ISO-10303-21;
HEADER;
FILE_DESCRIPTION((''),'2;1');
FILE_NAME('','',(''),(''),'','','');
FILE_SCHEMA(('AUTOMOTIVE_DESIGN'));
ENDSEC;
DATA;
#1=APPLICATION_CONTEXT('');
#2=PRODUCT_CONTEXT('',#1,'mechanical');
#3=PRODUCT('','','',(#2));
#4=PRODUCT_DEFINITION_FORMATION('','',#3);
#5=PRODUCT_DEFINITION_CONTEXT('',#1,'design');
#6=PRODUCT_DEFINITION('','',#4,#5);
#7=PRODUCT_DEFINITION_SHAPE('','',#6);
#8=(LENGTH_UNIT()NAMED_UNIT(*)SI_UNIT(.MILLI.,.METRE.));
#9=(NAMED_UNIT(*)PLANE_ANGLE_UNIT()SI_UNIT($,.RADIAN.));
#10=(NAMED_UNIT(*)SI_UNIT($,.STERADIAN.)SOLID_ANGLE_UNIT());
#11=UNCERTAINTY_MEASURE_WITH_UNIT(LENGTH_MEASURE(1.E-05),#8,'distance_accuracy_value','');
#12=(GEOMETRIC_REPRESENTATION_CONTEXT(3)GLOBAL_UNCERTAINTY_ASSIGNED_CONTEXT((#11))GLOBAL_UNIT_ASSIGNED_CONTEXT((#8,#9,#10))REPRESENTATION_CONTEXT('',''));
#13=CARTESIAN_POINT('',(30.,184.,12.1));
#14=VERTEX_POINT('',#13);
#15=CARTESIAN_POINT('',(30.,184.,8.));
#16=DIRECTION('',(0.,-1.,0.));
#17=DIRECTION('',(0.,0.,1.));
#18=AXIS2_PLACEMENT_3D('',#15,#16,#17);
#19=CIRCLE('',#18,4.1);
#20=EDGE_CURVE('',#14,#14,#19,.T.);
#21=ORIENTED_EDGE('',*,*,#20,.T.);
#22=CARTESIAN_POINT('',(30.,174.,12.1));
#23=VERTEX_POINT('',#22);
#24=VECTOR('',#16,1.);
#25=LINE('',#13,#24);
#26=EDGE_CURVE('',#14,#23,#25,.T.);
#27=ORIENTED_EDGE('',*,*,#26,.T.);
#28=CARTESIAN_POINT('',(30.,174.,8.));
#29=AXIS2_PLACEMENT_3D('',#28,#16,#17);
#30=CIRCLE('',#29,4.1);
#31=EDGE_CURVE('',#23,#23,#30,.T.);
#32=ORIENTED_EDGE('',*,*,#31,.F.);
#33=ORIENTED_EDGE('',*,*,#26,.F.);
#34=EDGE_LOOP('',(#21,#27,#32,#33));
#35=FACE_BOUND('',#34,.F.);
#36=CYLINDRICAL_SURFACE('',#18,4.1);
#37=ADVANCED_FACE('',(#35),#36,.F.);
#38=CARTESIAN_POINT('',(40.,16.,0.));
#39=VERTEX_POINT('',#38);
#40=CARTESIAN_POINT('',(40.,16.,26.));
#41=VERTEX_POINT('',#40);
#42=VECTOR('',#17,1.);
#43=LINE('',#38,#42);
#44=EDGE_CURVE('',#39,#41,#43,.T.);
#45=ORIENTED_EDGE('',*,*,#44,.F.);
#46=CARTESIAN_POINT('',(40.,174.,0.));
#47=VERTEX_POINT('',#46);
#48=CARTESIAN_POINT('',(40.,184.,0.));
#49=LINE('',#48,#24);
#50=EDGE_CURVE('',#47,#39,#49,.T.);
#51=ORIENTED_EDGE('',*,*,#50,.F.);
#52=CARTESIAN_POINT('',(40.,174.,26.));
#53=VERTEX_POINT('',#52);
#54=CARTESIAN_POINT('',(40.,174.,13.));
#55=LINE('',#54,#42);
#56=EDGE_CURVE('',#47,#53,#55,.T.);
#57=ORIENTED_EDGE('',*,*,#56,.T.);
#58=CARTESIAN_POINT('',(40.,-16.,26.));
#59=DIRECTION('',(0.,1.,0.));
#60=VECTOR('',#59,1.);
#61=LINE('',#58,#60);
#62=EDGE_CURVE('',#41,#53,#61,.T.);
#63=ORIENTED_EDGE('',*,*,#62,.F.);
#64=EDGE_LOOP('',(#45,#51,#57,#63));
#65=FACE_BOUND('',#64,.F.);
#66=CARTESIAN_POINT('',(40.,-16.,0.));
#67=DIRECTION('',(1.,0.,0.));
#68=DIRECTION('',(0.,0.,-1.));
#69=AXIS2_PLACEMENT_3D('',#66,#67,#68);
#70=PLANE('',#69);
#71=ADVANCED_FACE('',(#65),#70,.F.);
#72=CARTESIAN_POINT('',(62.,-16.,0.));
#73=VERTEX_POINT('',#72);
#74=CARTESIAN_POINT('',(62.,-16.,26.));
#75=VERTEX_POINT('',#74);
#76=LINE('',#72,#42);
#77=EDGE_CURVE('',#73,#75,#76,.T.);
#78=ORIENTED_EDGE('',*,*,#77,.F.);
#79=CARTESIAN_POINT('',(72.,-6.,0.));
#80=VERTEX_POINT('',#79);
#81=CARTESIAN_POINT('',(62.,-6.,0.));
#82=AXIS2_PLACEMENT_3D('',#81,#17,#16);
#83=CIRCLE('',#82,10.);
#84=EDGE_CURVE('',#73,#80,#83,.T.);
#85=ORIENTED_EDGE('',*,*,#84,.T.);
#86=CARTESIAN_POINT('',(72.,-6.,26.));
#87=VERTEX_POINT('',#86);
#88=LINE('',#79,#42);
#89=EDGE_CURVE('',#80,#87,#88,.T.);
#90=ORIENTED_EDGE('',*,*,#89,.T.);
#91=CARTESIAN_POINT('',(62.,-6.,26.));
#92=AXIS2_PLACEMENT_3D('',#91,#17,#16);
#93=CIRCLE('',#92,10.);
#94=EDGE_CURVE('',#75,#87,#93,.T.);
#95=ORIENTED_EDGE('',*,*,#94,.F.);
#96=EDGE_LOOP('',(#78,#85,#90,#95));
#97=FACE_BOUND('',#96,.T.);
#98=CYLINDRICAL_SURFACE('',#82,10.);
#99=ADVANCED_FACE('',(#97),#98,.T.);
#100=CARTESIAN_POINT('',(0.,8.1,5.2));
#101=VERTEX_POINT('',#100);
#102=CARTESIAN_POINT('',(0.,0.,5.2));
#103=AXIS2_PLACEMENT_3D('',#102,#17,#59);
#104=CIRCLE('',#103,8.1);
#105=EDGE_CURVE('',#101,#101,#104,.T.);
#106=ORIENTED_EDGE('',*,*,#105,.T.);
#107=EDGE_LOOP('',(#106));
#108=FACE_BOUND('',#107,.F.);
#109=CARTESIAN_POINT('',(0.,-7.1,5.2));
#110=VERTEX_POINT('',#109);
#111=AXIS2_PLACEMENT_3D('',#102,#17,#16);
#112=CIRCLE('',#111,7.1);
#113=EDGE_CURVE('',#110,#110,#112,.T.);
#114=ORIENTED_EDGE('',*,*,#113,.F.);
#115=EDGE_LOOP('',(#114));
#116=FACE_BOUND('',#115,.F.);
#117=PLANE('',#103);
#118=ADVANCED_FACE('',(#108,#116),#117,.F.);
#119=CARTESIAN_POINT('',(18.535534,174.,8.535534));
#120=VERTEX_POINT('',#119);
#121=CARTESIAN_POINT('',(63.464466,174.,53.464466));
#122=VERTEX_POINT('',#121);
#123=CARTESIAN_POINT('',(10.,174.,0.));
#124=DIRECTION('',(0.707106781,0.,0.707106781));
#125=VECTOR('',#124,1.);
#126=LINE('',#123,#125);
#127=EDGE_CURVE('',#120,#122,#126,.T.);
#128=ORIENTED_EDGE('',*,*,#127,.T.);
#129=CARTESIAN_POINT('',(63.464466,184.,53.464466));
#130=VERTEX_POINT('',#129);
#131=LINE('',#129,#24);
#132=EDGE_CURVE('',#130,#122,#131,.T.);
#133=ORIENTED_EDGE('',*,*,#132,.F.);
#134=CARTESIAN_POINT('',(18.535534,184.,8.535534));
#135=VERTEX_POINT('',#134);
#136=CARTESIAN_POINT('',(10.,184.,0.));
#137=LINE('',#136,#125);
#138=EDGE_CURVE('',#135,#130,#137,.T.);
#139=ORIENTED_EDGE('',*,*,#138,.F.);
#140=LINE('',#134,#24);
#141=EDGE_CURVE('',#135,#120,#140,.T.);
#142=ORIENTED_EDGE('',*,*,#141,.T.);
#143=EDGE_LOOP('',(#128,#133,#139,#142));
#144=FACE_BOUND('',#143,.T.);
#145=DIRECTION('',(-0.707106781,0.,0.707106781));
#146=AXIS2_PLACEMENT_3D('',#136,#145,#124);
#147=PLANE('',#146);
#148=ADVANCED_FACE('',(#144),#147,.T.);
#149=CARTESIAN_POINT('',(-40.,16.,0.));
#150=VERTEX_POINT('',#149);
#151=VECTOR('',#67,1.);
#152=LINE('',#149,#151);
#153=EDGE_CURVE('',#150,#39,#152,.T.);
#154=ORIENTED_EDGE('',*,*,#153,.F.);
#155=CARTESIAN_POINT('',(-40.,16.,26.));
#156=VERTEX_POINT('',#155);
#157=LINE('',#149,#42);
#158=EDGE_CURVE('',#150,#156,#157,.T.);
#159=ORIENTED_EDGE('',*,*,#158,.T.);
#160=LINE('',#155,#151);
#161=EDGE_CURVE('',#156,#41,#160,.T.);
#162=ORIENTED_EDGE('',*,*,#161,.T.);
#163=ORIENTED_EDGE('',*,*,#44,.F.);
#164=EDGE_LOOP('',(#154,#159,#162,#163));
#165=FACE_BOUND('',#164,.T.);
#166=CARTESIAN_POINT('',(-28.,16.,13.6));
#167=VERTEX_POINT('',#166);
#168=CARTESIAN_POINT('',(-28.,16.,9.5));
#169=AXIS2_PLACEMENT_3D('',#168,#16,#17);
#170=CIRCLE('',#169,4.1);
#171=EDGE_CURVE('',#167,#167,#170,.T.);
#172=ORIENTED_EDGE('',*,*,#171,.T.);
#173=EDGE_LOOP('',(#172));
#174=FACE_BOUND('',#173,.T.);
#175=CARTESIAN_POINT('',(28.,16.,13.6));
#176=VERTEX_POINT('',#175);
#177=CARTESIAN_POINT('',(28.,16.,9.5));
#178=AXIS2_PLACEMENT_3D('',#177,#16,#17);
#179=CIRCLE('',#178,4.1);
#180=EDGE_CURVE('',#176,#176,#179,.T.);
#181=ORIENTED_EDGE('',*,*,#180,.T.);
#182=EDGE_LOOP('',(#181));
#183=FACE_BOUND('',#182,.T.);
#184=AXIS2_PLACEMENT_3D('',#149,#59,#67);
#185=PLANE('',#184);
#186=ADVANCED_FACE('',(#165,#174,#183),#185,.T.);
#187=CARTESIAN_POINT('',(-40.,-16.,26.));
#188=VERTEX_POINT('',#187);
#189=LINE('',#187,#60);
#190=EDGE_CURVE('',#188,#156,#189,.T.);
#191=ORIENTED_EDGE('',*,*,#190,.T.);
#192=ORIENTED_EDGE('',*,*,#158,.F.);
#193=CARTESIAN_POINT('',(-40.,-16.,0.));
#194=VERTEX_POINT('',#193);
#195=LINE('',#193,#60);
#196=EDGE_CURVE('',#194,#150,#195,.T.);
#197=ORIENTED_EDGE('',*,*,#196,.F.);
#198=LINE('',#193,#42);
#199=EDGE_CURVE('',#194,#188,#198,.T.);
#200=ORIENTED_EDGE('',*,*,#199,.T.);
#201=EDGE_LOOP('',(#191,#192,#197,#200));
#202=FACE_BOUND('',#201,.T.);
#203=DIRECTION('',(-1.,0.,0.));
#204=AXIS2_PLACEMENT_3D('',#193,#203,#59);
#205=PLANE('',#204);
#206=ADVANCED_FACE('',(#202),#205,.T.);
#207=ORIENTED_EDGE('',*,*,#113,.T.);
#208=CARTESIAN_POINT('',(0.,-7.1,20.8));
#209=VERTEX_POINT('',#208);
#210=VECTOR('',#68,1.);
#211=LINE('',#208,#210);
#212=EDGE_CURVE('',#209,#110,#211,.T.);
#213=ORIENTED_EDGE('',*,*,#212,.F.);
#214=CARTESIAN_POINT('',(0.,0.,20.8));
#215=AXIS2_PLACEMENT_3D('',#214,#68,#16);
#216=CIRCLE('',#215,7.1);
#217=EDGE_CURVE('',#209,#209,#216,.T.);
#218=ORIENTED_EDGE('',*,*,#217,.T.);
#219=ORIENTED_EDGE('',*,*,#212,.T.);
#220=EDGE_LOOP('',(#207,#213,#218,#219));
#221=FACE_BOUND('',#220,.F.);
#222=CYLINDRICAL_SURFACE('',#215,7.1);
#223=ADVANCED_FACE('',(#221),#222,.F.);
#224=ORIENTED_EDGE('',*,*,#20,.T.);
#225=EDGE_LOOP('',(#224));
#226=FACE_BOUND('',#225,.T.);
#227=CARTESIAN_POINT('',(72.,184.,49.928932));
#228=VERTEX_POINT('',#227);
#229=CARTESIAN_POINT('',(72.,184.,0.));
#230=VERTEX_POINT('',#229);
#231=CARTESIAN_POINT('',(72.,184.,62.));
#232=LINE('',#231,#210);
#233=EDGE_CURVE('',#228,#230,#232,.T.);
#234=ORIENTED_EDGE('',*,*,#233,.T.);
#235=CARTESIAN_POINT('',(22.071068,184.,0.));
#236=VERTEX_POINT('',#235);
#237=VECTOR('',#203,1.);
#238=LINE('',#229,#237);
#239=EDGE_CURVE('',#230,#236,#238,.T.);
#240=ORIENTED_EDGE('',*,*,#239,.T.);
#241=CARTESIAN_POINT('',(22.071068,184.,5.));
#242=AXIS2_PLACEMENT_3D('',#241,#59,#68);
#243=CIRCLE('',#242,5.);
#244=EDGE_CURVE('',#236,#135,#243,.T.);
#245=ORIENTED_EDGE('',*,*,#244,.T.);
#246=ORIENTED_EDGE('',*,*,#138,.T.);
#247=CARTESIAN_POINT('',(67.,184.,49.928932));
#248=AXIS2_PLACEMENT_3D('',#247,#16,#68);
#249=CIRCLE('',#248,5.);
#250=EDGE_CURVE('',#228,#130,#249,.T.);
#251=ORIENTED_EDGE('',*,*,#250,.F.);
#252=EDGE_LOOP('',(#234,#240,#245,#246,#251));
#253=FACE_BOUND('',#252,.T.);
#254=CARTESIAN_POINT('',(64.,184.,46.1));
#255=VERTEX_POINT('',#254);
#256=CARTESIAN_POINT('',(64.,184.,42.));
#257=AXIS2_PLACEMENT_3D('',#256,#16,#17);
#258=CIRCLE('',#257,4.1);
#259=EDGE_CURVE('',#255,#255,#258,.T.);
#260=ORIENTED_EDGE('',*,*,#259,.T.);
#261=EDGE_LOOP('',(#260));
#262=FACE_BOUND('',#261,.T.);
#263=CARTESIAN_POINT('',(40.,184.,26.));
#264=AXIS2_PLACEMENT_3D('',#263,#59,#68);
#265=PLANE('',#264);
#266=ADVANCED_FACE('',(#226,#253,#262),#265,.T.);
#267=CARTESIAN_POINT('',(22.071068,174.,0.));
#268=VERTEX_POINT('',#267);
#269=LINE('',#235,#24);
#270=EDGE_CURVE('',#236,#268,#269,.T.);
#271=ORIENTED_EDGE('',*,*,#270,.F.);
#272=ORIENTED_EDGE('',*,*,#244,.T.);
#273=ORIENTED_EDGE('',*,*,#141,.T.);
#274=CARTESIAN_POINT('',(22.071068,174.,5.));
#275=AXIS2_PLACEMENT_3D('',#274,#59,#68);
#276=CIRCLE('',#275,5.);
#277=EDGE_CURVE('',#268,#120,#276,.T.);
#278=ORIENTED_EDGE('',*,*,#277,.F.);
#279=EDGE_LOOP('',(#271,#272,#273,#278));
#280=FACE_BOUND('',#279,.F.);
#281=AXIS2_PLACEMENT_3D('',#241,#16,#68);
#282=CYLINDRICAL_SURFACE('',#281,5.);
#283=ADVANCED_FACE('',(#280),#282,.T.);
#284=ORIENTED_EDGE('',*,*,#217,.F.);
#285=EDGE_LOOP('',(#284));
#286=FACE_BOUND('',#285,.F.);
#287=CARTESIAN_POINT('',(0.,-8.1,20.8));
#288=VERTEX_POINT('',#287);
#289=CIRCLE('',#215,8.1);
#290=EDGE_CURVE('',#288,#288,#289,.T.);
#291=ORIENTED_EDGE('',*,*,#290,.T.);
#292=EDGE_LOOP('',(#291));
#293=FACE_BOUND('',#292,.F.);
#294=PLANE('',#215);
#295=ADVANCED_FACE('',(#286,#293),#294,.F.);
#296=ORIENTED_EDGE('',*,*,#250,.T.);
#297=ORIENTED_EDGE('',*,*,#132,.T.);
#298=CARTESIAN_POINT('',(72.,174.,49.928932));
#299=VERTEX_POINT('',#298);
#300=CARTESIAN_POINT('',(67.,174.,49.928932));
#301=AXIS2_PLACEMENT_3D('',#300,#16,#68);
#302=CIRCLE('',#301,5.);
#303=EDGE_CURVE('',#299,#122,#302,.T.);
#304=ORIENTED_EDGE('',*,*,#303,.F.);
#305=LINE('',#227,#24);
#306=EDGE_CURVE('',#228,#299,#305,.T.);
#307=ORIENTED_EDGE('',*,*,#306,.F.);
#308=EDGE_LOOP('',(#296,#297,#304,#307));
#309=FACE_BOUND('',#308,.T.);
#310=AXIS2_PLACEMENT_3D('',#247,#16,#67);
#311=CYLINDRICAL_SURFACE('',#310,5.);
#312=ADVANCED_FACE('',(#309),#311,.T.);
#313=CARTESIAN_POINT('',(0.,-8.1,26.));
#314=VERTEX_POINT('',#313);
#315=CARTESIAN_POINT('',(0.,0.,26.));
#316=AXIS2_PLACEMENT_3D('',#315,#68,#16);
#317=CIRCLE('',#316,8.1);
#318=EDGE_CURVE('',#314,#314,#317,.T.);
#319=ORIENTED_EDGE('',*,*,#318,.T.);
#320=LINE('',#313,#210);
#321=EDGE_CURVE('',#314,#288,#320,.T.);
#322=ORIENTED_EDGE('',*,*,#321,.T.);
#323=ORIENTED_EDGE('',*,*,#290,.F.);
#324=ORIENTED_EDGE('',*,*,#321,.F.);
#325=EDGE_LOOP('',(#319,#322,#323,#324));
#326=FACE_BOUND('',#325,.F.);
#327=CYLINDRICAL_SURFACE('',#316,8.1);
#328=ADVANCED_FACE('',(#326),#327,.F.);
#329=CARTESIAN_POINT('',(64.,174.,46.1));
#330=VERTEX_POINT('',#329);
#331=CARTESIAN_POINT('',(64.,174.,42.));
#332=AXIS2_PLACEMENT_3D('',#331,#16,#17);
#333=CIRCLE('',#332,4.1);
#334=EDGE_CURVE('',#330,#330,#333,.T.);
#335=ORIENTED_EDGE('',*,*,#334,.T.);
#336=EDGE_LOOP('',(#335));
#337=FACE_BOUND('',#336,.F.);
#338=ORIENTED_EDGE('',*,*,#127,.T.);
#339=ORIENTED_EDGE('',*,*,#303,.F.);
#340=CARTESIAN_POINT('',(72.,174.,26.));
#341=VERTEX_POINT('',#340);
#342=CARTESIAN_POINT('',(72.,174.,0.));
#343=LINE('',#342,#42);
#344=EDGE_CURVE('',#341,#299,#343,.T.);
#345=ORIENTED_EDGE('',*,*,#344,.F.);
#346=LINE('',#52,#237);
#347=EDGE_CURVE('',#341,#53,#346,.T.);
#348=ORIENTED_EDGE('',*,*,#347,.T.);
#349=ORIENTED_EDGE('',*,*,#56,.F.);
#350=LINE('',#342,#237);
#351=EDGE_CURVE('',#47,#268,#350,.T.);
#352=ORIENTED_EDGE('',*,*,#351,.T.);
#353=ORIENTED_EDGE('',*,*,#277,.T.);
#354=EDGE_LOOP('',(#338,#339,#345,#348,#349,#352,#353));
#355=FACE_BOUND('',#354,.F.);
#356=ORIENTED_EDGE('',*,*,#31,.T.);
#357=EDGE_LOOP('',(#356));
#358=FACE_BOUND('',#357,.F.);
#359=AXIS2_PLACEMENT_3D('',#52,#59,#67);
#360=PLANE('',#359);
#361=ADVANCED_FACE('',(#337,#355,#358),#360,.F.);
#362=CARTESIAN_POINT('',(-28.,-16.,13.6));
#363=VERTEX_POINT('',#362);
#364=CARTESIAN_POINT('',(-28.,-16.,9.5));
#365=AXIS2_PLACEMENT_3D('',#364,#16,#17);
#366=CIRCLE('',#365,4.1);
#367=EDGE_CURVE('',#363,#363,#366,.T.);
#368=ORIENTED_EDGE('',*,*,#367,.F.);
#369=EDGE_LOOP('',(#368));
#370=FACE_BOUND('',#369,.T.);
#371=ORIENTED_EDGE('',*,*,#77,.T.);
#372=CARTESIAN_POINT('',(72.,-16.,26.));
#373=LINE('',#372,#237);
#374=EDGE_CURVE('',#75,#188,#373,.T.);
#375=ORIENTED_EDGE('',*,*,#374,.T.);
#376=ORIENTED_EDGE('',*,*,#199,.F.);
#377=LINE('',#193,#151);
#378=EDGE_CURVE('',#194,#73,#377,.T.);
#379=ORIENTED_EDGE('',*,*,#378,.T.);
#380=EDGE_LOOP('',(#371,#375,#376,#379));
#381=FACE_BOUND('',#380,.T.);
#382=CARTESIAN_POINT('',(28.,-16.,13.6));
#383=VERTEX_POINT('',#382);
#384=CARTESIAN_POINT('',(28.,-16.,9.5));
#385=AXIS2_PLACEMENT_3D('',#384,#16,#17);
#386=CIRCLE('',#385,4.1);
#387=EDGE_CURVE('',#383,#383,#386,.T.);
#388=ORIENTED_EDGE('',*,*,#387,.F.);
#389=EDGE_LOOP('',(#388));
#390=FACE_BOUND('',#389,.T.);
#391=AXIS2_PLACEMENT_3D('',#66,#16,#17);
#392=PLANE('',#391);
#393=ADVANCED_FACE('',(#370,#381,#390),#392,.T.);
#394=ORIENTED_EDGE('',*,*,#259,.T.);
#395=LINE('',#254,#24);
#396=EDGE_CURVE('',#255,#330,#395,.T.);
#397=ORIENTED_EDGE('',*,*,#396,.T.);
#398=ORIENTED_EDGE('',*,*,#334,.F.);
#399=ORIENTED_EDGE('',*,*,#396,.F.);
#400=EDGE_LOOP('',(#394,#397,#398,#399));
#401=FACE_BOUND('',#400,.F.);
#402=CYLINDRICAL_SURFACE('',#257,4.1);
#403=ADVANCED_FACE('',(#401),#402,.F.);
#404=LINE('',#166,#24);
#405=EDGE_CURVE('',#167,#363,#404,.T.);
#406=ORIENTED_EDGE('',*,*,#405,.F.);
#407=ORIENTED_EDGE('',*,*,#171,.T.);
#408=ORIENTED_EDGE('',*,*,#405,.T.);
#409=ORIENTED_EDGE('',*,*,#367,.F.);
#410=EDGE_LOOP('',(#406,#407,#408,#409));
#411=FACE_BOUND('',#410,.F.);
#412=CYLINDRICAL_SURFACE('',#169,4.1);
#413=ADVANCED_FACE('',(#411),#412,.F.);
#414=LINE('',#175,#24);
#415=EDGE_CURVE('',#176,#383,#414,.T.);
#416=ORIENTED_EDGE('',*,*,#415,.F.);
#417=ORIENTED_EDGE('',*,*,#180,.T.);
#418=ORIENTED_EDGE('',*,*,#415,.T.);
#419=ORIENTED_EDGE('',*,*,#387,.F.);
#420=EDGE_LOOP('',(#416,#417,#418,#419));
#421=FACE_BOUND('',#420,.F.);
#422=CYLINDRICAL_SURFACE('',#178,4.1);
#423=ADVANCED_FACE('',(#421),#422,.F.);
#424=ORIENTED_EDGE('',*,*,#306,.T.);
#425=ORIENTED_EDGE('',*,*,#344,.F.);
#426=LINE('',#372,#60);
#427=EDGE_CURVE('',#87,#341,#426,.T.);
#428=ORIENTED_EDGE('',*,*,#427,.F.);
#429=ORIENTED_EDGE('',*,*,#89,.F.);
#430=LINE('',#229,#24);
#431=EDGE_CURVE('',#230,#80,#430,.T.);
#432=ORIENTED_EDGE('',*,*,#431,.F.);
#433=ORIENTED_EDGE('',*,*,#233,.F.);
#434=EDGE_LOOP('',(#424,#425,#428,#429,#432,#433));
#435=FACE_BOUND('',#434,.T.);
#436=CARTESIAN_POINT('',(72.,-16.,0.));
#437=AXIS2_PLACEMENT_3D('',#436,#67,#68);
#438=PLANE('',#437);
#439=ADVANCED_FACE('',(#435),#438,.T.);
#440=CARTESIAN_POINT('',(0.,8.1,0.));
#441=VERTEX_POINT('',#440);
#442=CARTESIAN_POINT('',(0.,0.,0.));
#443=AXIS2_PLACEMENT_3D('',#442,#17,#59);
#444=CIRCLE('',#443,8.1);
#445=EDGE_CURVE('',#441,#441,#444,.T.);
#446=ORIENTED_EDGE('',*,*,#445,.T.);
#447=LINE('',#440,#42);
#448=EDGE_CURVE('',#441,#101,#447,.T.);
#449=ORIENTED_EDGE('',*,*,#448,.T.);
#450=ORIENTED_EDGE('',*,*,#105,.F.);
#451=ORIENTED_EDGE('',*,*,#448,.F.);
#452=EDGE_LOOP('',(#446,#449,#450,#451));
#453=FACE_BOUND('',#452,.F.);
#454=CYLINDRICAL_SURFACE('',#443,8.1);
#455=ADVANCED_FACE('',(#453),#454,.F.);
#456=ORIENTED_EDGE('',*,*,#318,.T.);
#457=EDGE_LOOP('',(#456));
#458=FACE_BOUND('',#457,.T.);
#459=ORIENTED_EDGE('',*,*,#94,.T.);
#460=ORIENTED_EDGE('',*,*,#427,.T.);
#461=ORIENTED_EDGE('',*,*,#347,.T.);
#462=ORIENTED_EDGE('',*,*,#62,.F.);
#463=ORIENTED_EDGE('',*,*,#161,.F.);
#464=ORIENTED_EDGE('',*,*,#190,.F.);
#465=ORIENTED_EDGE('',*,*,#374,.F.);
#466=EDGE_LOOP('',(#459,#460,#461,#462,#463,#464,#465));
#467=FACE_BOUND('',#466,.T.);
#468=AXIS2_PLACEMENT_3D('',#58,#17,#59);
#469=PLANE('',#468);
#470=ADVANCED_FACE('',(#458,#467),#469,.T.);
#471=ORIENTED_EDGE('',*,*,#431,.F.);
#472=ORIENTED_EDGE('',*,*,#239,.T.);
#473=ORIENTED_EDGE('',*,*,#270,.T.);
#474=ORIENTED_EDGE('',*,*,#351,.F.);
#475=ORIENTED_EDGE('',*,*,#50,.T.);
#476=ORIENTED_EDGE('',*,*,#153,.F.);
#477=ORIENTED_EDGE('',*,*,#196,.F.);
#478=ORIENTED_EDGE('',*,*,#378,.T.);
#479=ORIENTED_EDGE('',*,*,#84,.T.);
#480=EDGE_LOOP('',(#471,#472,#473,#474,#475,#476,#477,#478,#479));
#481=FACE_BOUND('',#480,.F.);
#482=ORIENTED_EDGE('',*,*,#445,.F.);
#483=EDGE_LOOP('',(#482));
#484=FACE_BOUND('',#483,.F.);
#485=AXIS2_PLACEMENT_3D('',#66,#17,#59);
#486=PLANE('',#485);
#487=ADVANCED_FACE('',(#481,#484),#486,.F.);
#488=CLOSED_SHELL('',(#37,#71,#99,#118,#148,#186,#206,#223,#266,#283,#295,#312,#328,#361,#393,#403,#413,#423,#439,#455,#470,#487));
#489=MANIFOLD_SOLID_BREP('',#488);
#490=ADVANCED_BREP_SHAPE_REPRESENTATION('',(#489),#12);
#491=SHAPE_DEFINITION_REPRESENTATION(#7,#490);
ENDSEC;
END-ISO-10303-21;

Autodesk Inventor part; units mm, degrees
ref_plane "YZ Plane" through (0, 0, 0) normal (1, 0, 0) x (0, 1, 0)
ref_plane "XZ Plane" through (0, 0, 0) normal (0, 1, 0) x (-1, 0, 0)
ref_plane "XY Plane" through (0, 0, 0) normal (0, 0, 1) x (1, 0, 0)
sketch "Sketch2" plane through (0, 0, 0) normal (0, 0, 1) x (1, 0, 0)
  line L0 (-40, 16) -> (40, 16)
  line L1 (40, 16) -> (40, -16)
  line L2 (40, -16) -> (-40, -16)
  line L3 (-40, -16) -> (-40, 16)
  line L4 (-40, 16) -> (40, -16) construction
  line L5 (40, 16) -> (-40, -16) construction
  point P0 (0, 0)
  dimension "d4" = 32
  dimension "d5" = 80
extrude "Extrusion1" add sketch "Sketch2" along normal blind 26
sketch "Sketch6" plane through (-40, 16, 0) normal (0, 1, 0) x (1, 0, 0)
  line L0 (12, -9.5) -> (0, -9.5) construction
  line L1 (0, 0) -> (0, -26) projected
  line L2 (68, -9.5) -> (80, -9.5) construction
  line L3 (80, 0) -> (80, -26) projected
  line L4 (80, 0) -> (0, 0) projected
  point P0 (40, 0)
  point P1 (74, -9.5)
  dimension "d29" = 56
  dimension "d30" = 9.5
hole "Hole3" at (-28, 16, 9.5) at (28, 16, 9.5) direction (0, -1, 0) diameter 8.2 end through all
sketch "Sketch7" plane through (0, 0, 26) normal (0, 0, 1) x (1, 0, 0)
  point P0 (0, 0)
  point P1 (0, 0)
hole "Hole4" at (0, 0, 26) direction (0, 0, -1) diameter 14.2 end through all counterbore diameter 16.2 counterbore depth 5.2
sketch "Sketch8" plane through (0, 0, 0) normal (0, 0, -1) x (-1, 0, 0)
  point P0 (0, 0)
  point P1 (0, 0)
hole "Hole5" at (0, 0, 0) direction (0, 0, 1) diameter 14.2 end through all counterbore diameter 16.2 counterbore depth 5.2
sketch "Sketch9" plane through (-40, 16, 0) normal (0, 1, 0) x (1, 0, 0)
  line L0 (0, 0) -> (0, -26) projected
  line L1 (80, -26) -> (0, -26) projected
  line L2 (0, 0) -> (80, -26)
  point P0 (40, 0)
sketch "Sketch10" plane through (-40, 16, 0) normal (0, 1, 0) x (1, 0, 0)
  point P0 (40, 0)
sketch "Sketch11" plane through (40, -16, 0) normal (1, 0, 0) x (0, 0, -1)
  line L0 (0, 0) -> (0, 32) projected
  line L1 (0, 0) -> (-26, 0)
  line L2 (-26, 0) -> (-26, 200)
  line L3 (-26, 200) -> (0, 200)
  line L4 (0, 200) -> (0, 0)
  line L5 (-26, 0) -> (-26, 32) projected
  point P0 (0, 16)
  dimension "d52" = 200
extrude "Extrusion4" add sketch "Sketch11" along normal blind 32
fillet "Fillet1" radius 10 1 edges at (72, -16, 13)
sketch "Sketch13" plane through (40, 184, 26) normal (0, 1, 0) x (1, 0, 0)
  line L0 (32, 26) -> (-30, 26)
  line L1 (0, 26) -> (-80, 26) projected
  line L2 (32, 26) -> (32, 0) projected
  line L3 (32, 26) -> (32, -36)
  line L4 (-30, 26) -> (32, -36)
  point P0 (-40, 26)
  dimension "d58" = 62
extrude "Extrusion5" add sketch "Sketch13" against normal blind 10
fillet "Fillet2" radius 5 1 edges at (10, 179, 0)
fillet "Fillet3" radius 5 1 edges at (72, 179, 62)
sketch "Sketch15" plane through (22.0711, 184, 0) normal (0, 1, 0) x (1, 0, 0)
  line L0 (0, 0) -> (49.9289, 0) projected
  line L1 (49.9289, 0) -> (49.9289, -26) projected
  line L2 (49.9289, 0) -> (17.9289, 0)
  line L3 (17.9289, 0) -> (17.9289, -32)
  line L4 (17.9289, -32) -> (49.9289, -32)
  line L5 (49.9289, -32) -> (49.9289, 0)
  line L6 (49.9289, 0) -> (49.9289, -49.9289) projected
  point P0 (-22.0711, 0)
  point P1 (41.9289, -42)
  point P2 (7.9289, -8)
  dimension "d63" = 8
  dimension "d64" = 32
  dimension "d65" = 32
  dimension "d66" = 10
  dimension "d67" = 10
  dimension "d68" = 8
hole "Hole6" at (30, 184, 8) at (64, 184, 42) direction (0, -1, 0) diameter 8.2 depth 20
properties part number "13042026-07"
